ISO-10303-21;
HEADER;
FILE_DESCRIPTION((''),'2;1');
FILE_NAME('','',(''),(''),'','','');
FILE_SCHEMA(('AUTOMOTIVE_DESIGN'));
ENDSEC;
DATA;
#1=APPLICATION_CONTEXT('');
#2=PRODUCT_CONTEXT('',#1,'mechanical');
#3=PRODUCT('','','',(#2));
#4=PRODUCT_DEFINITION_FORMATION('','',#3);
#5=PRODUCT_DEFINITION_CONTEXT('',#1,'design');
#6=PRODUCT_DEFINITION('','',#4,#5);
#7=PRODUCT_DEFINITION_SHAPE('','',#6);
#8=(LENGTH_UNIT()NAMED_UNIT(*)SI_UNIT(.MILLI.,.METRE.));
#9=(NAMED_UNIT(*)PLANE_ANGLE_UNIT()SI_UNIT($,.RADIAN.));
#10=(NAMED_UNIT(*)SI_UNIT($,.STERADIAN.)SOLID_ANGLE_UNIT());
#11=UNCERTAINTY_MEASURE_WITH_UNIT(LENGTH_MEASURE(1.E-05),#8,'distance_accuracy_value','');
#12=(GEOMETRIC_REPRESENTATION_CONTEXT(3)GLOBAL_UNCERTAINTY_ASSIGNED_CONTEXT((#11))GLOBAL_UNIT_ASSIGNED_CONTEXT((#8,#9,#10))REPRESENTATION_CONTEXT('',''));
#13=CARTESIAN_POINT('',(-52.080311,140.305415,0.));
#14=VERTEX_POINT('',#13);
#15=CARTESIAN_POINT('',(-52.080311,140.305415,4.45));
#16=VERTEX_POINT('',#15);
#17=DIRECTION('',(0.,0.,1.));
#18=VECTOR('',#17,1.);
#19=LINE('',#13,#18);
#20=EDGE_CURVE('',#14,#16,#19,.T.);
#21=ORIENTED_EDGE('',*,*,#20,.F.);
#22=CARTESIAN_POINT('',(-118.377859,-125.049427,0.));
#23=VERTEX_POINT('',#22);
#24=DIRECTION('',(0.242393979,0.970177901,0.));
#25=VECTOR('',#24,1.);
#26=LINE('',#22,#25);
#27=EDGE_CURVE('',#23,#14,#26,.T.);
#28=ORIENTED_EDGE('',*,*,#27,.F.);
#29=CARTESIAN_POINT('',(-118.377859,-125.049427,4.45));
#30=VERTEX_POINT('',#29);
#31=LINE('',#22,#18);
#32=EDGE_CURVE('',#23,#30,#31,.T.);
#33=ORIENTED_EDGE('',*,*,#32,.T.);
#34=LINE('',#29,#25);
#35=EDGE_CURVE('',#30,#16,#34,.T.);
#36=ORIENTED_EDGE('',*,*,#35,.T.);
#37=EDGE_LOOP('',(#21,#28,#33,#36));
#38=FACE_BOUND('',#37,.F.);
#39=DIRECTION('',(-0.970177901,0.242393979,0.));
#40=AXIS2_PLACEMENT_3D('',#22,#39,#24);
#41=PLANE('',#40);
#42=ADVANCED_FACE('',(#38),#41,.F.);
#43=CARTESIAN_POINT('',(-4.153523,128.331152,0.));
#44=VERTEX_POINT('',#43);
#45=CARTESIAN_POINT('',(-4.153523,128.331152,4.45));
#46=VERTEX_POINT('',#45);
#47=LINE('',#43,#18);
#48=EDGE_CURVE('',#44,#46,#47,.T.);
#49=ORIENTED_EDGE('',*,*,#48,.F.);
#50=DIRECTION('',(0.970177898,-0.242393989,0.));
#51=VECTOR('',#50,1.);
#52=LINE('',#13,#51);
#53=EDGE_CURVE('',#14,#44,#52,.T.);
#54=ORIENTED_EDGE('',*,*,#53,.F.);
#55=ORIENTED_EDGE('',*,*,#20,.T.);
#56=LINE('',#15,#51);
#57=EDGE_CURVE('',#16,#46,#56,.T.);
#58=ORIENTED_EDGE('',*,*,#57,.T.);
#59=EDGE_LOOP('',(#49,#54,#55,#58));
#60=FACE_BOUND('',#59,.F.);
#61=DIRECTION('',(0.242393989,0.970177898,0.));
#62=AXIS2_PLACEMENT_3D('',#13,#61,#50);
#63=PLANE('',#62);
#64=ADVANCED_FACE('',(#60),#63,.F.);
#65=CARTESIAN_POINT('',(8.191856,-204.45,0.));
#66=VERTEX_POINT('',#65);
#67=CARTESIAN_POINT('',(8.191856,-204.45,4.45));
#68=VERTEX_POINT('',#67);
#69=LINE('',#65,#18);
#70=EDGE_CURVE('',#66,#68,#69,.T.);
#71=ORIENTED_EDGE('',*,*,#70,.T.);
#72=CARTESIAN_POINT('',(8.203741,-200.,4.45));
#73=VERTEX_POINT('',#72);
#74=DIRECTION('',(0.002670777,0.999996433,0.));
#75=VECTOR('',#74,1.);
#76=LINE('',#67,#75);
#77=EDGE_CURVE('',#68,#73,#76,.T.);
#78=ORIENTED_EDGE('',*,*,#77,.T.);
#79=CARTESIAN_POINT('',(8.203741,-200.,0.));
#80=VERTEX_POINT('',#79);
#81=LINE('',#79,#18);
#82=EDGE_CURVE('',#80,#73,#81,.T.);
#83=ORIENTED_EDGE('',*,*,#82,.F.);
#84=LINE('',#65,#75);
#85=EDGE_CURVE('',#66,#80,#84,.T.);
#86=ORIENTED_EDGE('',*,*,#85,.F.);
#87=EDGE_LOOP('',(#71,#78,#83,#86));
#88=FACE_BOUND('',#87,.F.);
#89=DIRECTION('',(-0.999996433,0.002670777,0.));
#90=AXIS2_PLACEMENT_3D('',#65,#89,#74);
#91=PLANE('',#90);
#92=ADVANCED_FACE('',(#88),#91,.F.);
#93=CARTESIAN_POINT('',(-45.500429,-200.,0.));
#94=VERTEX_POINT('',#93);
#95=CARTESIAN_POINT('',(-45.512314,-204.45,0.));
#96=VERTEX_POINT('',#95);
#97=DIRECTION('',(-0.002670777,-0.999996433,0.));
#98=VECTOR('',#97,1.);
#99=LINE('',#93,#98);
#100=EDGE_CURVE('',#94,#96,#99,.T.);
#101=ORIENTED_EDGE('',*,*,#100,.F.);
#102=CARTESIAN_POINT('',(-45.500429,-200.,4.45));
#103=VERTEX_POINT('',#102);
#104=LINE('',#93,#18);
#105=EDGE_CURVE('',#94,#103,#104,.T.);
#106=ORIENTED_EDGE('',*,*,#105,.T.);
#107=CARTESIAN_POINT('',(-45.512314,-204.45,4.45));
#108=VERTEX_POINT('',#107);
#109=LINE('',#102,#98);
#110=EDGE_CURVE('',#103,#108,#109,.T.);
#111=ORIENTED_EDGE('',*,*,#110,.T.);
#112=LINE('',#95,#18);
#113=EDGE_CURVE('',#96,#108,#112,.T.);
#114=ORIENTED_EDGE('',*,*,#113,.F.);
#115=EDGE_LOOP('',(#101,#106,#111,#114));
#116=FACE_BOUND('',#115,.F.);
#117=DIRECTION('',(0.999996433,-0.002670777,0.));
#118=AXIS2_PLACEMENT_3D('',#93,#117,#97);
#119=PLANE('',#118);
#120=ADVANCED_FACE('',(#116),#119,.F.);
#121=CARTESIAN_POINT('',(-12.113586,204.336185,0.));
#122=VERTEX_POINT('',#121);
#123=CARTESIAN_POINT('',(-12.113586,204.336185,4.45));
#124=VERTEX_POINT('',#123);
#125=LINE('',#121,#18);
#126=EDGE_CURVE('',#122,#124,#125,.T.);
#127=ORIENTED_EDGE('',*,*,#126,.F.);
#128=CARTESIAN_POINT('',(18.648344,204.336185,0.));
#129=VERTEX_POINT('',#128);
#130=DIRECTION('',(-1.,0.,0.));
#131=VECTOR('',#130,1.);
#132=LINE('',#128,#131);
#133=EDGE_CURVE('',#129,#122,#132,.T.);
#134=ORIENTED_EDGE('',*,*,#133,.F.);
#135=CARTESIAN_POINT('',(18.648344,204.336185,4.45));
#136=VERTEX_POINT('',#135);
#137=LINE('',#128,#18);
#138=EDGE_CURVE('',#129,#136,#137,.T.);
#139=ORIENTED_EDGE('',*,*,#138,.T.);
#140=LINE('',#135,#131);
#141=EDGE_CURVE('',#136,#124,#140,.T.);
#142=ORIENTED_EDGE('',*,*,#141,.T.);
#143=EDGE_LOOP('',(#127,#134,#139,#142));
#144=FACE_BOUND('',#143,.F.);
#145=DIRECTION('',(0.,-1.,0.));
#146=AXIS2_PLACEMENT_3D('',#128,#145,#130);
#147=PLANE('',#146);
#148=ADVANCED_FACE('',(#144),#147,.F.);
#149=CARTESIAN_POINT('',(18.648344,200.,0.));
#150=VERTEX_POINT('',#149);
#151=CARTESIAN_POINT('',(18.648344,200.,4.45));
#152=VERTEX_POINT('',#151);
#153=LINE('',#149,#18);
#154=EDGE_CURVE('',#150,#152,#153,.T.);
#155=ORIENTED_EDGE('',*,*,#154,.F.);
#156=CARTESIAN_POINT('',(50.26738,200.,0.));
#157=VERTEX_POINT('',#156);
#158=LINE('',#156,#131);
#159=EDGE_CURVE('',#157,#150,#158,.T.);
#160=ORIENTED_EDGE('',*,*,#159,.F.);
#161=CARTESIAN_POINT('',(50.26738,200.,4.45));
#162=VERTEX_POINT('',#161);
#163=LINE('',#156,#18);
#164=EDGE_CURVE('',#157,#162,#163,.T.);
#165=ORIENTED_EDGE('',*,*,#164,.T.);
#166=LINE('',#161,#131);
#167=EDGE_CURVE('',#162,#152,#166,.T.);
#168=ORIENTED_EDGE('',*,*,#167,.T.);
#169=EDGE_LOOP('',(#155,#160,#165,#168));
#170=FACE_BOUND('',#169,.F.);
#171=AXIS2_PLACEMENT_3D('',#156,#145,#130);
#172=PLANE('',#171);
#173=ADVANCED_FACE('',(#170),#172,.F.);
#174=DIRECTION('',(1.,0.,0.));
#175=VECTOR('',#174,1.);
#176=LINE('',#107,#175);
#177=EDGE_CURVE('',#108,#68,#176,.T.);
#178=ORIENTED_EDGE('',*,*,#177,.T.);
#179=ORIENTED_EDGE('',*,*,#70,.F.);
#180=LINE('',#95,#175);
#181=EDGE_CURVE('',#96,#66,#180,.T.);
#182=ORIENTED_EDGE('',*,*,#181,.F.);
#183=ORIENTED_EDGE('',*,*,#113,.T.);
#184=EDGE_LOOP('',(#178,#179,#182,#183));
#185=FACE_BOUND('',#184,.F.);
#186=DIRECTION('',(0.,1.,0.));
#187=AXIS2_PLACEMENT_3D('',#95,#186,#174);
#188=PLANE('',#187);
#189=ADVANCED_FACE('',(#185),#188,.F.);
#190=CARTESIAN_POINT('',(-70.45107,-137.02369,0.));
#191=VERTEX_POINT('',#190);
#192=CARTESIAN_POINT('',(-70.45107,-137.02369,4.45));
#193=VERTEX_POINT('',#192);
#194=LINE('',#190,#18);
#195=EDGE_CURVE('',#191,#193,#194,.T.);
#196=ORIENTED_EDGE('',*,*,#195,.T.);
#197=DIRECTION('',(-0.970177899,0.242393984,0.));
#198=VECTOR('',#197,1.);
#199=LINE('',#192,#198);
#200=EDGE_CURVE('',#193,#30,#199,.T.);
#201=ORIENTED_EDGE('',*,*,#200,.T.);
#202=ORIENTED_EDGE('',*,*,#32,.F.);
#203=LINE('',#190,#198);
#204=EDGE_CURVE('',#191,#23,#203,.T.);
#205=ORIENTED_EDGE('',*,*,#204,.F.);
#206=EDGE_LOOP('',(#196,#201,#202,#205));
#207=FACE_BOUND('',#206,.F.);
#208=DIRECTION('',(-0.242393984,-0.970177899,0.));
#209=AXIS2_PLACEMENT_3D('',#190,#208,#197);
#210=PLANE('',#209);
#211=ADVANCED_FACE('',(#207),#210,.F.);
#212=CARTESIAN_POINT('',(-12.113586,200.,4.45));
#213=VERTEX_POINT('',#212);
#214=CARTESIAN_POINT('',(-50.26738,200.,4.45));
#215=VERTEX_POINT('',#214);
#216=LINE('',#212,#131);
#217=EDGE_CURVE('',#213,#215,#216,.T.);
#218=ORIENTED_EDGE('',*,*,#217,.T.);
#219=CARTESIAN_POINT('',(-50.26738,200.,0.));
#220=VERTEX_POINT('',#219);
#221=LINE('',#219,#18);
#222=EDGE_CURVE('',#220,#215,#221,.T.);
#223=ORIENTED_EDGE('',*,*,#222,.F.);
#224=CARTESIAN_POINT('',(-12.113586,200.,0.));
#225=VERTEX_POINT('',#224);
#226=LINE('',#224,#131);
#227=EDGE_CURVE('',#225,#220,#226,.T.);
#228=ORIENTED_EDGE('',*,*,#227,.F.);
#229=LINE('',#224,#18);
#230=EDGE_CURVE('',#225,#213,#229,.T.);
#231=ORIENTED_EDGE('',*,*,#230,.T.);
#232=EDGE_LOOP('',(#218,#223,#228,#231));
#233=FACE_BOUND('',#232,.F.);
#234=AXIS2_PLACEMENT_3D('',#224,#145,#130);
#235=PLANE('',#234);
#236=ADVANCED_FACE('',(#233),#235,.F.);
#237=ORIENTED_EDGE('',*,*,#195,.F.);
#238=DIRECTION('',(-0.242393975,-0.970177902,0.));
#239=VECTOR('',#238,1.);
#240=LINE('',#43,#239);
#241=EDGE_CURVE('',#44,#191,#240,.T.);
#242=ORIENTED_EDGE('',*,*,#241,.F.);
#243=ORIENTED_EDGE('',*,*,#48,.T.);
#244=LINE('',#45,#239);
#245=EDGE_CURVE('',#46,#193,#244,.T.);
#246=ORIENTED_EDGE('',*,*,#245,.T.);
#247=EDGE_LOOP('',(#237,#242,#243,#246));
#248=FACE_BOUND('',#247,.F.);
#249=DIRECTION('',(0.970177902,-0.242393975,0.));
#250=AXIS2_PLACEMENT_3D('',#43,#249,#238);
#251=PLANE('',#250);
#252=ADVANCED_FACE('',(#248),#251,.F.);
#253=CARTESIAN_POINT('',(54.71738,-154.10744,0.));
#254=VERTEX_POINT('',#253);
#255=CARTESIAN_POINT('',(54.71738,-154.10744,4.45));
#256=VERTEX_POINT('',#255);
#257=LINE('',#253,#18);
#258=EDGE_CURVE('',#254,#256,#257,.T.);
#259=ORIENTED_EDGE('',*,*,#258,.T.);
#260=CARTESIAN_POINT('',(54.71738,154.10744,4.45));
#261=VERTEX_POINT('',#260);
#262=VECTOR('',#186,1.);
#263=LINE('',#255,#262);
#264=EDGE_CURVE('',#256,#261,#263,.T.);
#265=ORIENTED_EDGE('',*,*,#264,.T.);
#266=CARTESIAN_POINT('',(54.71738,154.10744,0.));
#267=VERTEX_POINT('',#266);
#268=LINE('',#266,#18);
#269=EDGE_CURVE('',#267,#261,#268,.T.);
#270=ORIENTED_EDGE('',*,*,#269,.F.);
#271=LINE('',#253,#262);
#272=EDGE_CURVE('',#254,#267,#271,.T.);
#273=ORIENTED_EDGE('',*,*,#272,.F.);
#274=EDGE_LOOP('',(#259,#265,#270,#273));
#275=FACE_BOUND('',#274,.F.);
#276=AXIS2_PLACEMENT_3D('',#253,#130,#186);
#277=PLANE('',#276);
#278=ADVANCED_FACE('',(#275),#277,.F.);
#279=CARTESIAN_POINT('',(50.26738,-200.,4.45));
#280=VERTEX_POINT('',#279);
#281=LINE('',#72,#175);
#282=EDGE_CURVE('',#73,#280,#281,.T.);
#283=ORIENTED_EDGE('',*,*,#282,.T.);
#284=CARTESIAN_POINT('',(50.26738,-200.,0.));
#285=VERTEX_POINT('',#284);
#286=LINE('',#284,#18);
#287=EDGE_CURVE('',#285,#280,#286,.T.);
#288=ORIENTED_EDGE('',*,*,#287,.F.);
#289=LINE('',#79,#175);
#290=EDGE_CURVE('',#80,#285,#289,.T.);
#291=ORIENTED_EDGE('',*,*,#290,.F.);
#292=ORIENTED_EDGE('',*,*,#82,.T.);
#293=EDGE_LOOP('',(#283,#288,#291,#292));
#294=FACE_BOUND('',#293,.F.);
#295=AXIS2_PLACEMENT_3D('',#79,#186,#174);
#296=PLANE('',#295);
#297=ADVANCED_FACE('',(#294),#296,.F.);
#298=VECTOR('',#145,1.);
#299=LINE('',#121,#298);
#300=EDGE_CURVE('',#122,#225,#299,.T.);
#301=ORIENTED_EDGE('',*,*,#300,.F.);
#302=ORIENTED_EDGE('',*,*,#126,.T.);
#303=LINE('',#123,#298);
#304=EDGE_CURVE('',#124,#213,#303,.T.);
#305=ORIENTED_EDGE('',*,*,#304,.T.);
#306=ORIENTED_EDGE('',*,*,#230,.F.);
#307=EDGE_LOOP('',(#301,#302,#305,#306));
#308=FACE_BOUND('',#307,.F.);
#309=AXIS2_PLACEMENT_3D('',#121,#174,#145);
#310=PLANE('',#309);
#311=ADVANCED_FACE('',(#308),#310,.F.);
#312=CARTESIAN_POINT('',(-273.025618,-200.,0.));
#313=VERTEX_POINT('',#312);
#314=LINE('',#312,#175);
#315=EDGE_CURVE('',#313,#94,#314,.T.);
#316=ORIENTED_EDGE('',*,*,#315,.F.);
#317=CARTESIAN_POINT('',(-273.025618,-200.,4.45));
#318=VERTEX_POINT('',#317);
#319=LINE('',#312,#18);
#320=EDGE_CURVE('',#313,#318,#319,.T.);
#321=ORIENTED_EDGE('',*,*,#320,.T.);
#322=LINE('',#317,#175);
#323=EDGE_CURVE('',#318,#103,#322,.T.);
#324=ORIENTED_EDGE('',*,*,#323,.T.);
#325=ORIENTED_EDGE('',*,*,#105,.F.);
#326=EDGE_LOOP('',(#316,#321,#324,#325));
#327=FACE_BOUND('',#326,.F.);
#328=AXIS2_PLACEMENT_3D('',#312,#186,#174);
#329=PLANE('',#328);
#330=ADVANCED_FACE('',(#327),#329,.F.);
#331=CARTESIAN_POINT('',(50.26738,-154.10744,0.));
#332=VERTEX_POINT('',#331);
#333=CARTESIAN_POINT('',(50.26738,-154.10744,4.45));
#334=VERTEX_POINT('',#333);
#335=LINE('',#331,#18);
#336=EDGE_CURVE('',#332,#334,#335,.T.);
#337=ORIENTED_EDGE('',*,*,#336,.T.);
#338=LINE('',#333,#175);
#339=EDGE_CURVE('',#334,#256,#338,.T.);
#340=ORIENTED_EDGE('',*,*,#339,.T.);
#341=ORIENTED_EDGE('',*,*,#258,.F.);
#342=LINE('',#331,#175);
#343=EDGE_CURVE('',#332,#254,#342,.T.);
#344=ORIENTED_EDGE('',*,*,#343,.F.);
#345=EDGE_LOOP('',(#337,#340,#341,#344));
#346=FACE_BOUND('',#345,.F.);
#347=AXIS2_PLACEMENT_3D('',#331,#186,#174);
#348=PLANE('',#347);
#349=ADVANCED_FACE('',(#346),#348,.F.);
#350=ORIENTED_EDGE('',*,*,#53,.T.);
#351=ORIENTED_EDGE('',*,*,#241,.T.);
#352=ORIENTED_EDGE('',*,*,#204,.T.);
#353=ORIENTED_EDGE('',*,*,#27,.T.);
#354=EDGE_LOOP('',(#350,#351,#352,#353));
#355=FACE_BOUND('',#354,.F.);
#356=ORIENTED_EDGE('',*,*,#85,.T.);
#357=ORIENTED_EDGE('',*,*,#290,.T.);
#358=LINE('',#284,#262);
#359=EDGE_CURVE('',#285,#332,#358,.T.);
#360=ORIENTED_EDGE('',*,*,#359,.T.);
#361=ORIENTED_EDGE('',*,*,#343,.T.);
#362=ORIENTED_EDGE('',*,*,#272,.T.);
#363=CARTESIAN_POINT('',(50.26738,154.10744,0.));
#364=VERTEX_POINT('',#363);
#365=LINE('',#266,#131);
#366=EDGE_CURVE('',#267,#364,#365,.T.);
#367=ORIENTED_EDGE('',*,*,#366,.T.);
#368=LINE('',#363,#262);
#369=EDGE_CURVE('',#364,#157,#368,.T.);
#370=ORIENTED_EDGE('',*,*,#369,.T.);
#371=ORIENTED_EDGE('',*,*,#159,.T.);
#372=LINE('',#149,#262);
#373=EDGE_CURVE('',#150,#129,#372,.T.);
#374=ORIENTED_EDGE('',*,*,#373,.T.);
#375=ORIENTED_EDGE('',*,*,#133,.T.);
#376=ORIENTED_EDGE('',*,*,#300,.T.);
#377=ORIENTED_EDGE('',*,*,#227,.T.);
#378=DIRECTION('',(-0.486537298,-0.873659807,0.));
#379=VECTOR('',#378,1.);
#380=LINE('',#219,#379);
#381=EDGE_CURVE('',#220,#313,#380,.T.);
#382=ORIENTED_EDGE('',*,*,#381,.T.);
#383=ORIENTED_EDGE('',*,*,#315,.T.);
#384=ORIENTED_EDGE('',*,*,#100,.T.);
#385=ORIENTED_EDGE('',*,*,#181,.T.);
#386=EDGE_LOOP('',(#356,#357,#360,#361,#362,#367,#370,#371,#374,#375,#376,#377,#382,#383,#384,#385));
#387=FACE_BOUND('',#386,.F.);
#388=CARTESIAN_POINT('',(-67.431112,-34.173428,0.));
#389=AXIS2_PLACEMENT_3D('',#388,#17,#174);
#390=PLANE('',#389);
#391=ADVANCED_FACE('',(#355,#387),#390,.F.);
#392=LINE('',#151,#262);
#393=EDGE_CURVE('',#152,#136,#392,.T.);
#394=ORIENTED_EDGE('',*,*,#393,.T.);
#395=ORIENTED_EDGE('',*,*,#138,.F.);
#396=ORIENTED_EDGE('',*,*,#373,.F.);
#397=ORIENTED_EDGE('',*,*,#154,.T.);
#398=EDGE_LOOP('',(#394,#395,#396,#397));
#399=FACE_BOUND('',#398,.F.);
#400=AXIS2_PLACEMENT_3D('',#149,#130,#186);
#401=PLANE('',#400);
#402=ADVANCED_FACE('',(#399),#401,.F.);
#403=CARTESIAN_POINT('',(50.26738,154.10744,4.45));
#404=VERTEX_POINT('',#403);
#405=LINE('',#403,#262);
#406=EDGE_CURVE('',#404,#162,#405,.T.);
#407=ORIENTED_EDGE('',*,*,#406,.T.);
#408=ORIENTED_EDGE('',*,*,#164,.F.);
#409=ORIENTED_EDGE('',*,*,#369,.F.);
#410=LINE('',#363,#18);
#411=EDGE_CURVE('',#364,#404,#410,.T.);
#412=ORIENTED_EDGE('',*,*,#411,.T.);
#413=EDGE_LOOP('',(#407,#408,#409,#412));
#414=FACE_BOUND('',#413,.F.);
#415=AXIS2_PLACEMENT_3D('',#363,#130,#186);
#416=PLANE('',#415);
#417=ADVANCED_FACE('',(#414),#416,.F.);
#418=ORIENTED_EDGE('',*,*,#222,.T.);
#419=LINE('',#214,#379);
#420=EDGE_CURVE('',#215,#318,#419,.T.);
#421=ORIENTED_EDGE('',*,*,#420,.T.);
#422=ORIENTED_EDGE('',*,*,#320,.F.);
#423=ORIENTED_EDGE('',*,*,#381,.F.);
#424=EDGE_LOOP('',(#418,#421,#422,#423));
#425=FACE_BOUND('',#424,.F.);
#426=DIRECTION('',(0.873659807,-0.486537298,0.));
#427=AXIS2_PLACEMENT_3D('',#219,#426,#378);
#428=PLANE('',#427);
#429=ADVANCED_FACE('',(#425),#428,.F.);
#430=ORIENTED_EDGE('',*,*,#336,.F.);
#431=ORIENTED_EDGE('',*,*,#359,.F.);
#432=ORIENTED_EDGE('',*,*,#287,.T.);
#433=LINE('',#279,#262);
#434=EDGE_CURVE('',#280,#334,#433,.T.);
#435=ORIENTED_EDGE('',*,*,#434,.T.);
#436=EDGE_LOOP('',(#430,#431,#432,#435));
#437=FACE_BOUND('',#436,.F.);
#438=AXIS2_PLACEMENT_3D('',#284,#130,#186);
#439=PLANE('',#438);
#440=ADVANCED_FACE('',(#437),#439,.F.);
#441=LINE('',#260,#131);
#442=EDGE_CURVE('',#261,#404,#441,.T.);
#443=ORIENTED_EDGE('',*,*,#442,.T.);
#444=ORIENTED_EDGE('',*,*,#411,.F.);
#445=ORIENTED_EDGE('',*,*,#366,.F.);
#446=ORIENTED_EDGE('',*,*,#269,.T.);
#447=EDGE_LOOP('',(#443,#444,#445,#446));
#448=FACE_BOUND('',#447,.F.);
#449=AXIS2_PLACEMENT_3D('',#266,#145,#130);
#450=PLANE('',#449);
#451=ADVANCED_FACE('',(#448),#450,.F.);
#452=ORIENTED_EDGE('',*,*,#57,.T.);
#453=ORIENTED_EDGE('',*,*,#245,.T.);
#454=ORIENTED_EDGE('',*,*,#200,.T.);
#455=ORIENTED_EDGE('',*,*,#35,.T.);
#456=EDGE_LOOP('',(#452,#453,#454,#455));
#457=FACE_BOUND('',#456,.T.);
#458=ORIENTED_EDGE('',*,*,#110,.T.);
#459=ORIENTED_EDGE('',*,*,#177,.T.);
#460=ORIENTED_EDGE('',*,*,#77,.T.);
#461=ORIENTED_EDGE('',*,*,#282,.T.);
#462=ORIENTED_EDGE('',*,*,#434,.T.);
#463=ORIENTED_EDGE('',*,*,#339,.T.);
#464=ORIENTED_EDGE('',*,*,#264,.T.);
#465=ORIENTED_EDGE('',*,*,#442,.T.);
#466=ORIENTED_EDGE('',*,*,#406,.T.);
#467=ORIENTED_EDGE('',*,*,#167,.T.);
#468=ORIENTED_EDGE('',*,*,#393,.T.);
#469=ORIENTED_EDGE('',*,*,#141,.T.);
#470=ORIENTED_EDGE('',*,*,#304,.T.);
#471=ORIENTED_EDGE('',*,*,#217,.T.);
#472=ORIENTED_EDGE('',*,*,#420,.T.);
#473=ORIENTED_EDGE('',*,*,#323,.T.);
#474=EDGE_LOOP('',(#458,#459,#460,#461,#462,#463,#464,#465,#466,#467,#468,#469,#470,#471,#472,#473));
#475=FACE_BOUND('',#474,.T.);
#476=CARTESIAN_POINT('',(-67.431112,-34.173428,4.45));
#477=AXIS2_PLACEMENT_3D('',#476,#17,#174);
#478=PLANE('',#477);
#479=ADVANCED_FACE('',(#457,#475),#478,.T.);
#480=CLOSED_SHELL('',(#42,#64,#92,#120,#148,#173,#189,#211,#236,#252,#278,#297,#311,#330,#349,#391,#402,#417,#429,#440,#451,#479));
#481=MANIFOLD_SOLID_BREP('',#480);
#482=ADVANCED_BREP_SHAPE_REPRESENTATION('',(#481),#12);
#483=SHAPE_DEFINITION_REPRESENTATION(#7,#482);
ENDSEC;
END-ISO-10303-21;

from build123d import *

# Parameters (mm, degrees)
F1_DEPTH = 4.45


with BuildPart() as f1:
    # F0 (on Top) → F1 (new body)
    with BuildSketch(Plane.XY):
        Polygon((8.203741, -200), (50.26738, -200), (50.26738, -154.10744), (54.71738, -154.10744), (54.71738, 154.10744), (50.26738, 154.10744), (50.26738, 200), (19.648342, 200), (18.648344, 200), (18.648344, 204.336185), (-12.113586, 204.336185), (-12.113586, 200), (-19.648342, 200), (-50.26738, 200), (-273.025618, -200), (-101.126758, -200), (-50.26738, -200), (-45.500429, -200), (-45.512314, -204.45), (8.191856, -204.45), align=None)
        Polygon((-52.080311, 140.305415), (-4.153523, 128.331152), (-70.45107, -137.02369), (-118.377859, -125.049427), align=None, mode=Mode.SUBTRACT)
    extrude(amount=F1_DEPTH)


solid = f1.part
